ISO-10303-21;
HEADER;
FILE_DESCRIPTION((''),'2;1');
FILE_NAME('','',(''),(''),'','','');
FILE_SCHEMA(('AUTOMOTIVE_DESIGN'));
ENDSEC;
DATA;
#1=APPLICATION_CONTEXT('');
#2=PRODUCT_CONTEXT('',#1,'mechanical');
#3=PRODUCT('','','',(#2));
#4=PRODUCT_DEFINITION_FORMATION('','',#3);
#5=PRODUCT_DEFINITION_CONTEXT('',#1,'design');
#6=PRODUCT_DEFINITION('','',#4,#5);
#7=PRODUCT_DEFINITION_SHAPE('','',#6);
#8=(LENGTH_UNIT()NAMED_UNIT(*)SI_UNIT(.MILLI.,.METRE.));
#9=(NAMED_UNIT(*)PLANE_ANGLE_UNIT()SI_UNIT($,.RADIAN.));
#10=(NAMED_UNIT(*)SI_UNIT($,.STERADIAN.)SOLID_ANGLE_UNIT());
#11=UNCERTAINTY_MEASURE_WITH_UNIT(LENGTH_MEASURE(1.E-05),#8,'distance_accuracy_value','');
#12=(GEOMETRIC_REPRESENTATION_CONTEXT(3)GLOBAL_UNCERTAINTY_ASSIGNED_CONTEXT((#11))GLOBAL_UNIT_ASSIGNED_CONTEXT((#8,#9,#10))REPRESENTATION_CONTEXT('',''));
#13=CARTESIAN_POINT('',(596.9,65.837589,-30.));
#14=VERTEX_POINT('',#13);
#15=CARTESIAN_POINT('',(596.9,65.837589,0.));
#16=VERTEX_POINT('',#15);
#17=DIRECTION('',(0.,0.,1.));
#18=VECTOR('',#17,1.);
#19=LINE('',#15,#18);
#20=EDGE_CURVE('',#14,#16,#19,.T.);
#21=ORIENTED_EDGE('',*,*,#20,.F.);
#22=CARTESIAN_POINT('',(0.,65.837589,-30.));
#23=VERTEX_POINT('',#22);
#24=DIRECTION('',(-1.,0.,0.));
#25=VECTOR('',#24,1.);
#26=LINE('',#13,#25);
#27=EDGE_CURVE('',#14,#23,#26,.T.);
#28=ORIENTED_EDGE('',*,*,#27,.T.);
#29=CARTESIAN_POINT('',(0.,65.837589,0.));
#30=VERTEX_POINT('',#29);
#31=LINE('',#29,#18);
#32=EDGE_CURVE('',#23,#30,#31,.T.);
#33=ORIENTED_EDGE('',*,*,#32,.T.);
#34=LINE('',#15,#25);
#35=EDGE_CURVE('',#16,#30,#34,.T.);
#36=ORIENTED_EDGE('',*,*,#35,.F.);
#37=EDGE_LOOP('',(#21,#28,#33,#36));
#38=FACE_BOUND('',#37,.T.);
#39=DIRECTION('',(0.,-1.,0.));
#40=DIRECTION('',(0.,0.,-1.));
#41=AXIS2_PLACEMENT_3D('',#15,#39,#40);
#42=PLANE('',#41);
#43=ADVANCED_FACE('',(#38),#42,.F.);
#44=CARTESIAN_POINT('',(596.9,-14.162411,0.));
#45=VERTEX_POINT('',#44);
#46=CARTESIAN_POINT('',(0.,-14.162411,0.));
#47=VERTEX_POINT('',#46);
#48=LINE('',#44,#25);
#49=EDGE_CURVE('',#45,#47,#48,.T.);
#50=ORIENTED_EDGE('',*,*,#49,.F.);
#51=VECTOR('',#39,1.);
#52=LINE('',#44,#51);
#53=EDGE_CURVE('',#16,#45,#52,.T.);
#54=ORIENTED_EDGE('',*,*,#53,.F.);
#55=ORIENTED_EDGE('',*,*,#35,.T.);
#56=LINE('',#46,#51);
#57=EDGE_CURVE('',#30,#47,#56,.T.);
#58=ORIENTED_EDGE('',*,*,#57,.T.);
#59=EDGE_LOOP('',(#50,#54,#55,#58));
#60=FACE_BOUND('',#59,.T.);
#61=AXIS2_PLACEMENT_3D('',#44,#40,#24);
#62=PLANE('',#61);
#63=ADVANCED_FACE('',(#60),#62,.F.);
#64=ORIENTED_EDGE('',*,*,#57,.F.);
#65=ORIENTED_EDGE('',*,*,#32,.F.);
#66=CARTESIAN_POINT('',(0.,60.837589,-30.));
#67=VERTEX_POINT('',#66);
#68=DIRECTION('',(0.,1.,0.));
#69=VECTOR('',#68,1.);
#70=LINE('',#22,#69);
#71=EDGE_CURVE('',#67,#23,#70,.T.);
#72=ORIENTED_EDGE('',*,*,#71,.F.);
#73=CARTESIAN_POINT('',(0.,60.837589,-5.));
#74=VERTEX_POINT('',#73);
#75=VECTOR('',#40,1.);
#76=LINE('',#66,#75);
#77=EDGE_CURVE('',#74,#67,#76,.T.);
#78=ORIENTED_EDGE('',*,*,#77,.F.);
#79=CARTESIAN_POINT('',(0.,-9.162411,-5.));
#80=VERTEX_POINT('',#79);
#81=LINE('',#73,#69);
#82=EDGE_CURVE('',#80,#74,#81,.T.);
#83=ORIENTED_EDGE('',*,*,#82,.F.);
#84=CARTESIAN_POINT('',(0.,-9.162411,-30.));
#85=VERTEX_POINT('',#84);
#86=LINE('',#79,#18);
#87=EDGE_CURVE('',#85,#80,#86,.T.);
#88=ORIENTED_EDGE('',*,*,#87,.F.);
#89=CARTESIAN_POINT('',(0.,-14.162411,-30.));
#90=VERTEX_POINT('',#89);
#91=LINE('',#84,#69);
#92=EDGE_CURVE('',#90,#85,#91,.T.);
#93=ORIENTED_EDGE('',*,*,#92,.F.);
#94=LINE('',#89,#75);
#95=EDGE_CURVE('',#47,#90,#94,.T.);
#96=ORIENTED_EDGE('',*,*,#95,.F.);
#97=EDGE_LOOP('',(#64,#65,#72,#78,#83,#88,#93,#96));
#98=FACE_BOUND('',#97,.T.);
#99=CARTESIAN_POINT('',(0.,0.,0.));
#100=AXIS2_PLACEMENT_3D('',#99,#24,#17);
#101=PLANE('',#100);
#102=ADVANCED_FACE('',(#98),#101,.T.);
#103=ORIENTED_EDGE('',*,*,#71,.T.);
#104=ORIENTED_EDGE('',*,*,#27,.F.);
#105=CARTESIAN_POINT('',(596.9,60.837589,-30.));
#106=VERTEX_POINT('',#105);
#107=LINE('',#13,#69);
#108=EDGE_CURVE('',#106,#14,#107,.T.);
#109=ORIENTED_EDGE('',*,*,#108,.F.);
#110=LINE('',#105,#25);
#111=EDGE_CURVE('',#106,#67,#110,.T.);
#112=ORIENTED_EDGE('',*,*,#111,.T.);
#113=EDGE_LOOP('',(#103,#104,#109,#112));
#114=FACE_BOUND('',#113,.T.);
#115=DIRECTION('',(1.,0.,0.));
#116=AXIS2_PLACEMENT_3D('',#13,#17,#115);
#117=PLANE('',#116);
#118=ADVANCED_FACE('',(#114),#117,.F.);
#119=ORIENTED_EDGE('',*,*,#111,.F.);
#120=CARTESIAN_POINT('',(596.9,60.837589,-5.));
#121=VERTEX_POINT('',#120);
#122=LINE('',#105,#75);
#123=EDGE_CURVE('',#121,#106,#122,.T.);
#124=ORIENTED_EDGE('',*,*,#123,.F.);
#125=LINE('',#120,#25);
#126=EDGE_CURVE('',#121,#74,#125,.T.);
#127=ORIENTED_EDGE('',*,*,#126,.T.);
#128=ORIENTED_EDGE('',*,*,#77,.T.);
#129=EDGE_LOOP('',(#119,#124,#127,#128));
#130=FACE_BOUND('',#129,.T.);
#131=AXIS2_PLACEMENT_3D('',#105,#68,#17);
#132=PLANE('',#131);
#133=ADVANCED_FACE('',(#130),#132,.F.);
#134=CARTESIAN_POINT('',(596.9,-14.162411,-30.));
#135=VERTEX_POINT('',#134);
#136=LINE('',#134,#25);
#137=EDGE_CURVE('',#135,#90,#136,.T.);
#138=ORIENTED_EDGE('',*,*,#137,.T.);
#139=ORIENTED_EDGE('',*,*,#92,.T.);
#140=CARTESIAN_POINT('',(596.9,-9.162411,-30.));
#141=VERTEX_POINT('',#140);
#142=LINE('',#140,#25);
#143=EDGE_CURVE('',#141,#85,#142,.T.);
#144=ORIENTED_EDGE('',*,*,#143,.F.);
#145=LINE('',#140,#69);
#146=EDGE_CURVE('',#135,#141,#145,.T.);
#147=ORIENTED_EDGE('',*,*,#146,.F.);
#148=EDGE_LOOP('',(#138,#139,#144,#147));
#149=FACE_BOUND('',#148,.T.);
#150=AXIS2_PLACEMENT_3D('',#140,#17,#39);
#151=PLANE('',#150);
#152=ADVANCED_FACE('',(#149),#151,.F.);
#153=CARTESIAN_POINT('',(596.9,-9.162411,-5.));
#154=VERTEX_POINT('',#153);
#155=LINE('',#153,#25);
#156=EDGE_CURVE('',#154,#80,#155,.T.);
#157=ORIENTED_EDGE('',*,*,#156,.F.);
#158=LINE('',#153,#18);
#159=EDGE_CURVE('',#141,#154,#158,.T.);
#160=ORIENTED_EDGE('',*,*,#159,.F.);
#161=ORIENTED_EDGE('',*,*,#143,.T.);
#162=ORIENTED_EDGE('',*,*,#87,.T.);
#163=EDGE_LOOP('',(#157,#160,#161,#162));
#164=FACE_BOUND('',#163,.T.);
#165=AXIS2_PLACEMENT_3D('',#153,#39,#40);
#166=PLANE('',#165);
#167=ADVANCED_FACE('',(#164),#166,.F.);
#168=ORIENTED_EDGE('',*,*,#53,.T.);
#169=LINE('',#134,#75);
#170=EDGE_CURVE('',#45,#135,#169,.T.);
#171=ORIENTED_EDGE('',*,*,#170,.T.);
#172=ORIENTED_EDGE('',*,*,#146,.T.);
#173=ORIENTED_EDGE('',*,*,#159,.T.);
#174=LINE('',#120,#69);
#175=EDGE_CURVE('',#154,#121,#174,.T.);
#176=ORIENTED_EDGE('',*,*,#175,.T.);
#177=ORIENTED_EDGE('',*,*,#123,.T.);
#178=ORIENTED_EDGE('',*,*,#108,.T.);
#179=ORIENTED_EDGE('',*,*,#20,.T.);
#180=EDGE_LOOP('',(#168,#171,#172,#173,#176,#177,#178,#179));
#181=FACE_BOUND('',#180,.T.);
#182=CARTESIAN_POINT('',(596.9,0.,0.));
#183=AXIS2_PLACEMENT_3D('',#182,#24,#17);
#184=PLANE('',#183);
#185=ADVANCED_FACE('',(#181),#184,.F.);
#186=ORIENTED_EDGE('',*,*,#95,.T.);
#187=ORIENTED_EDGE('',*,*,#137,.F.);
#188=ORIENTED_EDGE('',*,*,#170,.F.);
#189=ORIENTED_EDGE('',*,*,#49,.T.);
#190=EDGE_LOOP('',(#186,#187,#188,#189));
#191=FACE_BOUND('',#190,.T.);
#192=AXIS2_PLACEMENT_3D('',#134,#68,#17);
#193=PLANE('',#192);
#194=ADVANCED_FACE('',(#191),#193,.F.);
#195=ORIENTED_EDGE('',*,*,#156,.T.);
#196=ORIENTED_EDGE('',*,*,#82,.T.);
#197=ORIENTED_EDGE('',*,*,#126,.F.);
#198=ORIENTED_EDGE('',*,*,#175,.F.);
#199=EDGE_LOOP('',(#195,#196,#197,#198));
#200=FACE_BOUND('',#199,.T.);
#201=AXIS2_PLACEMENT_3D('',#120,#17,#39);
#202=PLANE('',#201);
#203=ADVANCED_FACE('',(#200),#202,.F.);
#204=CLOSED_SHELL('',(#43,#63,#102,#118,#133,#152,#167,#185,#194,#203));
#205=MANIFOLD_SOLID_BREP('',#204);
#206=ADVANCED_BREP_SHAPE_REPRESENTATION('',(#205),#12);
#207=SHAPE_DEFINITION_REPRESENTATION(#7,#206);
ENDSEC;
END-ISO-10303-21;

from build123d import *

# Parameters (mm, degrees)
BOSS_EXTRUDE1_DEPTH = 596.9


with BuildPart() as part:
    # Sketch1 → Boss-Extrude1 (new body)
    with BuildSketch(Plane(origin=(0, 0, 0), x_dir=(0, 0, -1), z_dir=(1, 0, 0))):
        Polygon((0, 65.837588936), (30, 65.837588936), (30, 60.837588936), (5, 60.837588936), (5, -9.162411064), (30, -9.162411064), (30, -14.162411064), (0, -14.162411064), align=None)
    extrude(amount=BOSS_EXTRUDE1_DEPTH)


solid = part.part
